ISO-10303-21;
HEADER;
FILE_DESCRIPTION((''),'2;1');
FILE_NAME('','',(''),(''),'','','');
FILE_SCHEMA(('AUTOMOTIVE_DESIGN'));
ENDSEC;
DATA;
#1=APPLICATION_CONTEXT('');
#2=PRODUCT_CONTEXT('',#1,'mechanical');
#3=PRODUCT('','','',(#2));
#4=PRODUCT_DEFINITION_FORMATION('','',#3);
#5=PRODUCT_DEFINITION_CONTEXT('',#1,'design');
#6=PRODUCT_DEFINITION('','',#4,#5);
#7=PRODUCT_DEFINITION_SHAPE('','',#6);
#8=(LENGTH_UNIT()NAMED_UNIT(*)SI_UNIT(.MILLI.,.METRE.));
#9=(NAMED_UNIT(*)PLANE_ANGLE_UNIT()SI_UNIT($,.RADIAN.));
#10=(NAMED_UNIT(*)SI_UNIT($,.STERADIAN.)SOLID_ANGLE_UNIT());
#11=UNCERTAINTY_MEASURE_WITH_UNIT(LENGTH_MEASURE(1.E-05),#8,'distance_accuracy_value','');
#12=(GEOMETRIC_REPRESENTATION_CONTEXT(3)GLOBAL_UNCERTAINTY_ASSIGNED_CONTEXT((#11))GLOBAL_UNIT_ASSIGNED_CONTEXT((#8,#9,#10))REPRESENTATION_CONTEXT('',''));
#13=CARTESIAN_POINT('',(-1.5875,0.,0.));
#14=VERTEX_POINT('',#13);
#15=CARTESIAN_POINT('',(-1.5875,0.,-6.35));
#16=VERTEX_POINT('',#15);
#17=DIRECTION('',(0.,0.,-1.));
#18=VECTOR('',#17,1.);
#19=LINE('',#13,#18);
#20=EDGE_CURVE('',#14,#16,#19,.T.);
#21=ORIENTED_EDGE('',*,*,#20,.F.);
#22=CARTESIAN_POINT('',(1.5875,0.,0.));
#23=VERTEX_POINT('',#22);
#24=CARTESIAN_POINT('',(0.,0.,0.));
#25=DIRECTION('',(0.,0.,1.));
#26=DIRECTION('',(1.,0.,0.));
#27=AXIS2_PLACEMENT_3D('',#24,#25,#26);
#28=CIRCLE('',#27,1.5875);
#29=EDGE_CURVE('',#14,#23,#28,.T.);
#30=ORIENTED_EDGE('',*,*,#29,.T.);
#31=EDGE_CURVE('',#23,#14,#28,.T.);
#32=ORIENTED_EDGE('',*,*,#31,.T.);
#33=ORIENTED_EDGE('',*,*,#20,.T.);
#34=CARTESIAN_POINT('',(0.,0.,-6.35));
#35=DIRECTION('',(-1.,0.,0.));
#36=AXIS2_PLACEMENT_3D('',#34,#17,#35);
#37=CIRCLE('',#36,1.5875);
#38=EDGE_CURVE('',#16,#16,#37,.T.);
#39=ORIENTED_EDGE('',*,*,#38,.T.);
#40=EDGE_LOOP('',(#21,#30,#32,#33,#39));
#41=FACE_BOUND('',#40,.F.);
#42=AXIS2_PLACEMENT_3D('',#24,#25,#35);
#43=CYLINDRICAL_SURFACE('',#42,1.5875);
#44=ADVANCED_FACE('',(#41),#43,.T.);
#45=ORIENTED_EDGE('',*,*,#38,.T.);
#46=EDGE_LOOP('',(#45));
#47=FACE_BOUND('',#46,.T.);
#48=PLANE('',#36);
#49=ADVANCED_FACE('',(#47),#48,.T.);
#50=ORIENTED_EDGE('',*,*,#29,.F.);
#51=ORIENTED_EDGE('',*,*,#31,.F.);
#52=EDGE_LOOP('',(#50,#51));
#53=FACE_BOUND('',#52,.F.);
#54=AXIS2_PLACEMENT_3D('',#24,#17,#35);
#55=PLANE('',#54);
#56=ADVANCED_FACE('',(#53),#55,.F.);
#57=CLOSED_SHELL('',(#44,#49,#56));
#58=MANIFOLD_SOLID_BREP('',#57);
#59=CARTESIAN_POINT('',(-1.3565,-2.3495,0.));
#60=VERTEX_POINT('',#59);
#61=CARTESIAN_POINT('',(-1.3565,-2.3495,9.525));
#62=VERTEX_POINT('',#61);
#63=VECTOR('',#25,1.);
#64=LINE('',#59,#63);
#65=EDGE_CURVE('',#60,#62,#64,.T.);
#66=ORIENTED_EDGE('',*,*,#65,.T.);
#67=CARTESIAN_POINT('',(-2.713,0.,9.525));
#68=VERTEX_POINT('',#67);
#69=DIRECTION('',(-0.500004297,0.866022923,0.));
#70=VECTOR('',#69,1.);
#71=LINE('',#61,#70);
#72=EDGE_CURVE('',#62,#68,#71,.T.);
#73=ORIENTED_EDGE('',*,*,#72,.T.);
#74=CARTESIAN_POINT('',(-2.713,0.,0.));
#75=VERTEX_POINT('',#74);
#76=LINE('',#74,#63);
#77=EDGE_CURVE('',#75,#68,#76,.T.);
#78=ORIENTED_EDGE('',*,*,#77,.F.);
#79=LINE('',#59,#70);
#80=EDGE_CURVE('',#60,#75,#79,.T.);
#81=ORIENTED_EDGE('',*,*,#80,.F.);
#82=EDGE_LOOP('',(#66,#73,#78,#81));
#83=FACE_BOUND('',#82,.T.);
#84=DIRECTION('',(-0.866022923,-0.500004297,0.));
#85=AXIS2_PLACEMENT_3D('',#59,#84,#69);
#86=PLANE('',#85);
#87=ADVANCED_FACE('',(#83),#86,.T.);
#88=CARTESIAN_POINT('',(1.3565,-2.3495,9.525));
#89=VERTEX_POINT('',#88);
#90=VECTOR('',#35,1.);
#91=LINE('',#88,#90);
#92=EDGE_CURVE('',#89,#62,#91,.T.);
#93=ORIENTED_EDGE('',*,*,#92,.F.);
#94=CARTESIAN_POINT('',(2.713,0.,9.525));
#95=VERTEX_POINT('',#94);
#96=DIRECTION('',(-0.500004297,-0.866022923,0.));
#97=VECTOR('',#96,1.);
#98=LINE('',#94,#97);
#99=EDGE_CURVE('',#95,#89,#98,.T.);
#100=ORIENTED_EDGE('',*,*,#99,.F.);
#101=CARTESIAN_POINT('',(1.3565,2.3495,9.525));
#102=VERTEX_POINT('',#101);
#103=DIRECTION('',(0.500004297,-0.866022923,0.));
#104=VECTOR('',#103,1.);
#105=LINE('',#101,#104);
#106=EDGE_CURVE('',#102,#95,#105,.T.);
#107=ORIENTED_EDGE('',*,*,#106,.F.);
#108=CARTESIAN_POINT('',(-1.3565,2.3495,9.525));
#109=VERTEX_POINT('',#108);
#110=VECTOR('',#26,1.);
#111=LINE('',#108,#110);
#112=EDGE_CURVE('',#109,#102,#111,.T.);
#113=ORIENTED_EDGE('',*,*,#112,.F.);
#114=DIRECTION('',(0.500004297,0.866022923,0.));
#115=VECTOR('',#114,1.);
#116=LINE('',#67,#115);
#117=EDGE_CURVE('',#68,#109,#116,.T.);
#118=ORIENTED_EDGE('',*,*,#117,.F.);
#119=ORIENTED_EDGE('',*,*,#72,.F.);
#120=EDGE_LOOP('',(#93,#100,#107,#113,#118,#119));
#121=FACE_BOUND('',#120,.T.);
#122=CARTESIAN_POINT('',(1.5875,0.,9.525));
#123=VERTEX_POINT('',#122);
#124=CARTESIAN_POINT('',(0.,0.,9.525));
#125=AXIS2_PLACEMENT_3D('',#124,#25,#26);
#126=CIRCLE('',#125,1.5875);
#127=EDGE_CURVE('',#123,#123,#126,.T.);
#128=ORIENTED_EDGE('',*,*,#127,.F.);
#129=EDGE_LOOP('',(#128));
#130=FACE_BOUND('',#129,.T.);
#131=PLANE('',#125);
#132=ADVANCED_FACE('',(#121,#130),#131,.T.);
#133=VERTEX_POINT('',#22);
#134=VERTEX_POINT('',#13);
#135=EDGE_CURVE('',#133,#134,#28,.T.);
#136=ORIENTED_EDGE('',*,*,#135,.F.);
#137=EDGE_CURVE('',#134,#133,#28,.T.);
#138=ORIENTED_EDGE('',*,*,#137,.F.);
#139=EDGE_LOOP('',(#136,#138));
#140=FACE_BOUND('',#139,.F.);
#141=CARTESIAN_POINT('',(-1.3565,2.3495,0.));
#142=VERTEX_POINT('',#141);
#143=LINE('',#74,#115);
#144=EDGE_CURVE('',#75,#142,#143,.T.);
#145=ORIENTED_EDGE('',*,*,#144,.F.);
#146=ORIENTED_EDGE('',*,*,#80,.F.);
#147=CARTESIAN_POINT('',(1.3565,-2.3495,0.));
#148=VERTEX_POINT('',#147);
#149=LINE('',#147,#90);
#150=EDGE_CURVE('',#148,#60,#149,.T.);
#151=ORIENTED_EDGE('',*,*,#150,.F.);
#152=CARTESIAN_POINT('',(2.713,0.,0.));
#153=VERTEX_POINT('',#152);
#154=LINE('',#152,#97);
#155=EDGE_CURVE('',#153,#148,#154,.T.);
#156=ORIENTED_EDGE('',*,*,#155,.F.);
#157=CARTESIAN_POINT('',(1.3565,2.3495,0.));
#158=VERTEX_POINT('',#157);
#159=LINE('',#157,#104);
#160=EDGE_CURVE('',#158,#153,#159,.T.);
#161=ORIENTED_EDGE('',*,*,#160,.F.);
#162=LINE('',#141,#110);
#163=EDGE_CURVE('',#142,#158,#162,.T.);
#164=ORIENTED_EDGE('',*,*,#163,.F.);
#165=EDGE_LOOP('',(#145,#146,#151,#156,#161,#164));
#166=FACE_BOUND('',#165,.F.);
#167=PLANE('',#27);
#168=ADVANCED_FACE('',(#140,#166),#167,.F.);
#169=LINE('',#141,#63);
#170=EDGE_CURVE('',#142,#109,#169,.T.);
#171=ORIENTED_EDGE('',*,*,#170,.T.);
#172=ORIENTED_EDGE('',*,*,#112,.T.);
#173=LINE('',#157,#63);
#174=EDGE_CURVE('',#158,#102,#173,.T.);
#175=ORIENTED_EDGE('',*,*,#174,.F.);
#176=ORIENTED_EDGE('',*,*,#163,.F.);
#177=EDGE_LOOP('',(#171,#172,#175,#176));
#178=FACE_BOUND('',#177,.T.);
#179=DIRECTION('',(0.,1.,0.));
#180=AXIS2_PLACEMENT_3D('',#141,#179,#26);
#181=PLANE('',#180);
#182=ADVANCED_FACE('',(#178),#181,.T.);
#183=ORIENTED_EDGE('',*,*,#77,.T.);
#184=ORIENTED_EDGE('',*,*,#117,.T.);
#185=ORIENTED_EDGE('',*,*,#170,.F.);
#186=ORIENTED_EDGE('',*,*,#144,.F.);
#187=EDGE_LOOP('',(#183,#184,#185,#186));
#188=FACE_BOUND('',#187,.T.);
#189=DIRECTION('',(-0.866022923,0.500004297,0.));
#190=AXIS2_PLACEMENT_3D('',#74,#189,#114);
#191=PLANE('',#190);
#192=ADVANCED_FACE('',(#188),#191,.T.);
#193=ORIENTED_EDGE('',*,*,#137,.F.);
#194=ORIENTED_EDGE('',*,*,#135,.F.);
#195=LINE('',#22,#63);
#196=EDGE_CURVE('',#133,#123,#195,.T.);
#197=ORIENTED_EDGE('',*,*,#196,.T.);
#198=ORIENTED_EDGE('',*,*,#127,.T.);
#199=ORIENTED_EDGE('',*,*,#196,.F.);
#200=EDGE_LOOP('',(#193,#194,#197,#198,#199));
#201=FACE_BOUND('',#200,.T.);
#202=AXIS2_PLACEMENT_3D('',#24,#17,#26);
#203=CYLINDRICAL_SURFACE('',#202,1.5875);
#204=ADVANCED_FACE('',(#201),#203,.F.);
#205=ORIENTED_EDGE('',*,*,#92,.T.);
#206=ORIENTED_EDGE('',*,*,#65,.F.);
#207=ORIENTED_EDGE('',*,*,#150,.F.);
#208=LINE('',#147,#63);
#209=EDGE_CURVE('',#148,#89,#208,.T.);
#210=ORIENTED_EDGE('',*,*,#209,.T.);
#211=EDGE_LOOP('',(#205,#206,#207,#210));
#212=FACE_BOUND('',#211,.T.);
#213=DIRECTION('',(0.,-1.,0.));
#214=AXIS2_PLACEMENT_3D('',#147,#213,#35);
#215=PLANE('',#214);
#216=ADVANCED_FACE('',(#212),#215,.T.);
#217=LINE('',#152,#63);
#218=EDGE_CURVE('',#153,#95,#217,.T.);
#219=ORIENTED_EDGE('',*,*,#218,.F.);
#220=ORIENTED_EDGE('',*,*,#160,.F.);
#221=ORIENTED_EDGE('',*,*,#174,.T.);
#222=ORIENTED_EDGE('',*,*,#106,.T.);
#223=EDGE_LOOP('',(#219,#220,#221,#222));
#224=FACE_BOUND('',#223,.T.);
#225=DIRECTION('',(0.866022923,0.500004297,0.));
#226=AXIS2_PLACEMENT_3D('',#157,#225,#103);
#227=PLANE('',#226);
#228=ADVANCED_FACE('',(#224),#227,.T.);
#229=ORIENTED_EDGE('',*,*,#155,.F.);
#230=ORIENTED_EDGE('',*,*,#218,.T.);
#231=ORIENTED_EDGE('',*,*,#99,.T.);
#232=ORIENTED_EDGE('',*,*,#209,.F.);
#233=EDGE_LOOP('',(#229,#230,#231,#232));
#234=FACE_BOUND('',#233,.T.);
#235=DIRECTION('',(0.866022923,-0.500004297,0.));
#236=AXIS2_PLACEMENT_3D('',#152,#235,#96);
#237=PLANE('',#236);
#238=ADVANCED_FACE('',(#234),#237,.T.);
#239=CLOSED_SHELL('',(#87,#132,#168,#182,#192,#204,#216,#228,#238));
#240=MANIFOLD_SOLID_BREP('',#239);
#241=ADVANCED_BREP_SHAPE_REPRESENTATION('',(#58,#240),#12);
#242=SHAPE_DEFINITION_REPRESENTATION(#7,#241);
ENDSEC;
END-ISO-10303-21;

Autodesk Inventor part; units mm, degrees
ref_plane "YZ Plane" through (0, 0, 0) normal (1, 0, 0) x (0, 1, 0)
ref_plane "XZ Plane" through (0, 0, 0) normal (0, 1, 0) x (-1, 0, 0)
ref_plane "XY Plane" through (0, 0, 0) normal (0, 0, 1) x (1, 0, 0)
sketch "Sketch1" plane through (0, 0, 0) normal (0, 0, 1) x (1, 0, 0)
  line L0 (-2.713, 0) -> (-1.3565, 2.3495)
  line L1 (-1.3565, 2.3495) -> (1.3565, 2.3495)
  line L2 (1.3565, 2.3495) -> (2.713, 0)
  line L3 (2.713, 0) -> (1.3565, -2.3495)
  line L4 (1.3565, -2.3495) -> (-1.3565, -2.3495)
  line L5 (-1.3565, -2.3495) -> (-2.713, 0)
  circle A0 centre (0, 0) radius 1.5875
  dimension "d0" = 4.699
  dimension "d1" = 3.175
extrude "Extrusion1" add sketch "Sketch1" along normal blind 9.525
sketch "Sketch2" plane through (0, 0, 0) normal (0, 0, -1) x (-1, 0, 0)
  circle A0 centre (0, 0) radius 1.5875
extrude "Extrusion2" add sketch "Sketch2" along normal blind 6.35
thread "Thread1" size "5-40 UNC" class "2A" standard "ANSI Unified Screw Threads" full length
thread "Thread2" size "5-40 UNC" class "2B" standard "ANSI Unified Screw Threads" full length
properties part number "StandoffLong" material "Brass, Soft Yellow"
